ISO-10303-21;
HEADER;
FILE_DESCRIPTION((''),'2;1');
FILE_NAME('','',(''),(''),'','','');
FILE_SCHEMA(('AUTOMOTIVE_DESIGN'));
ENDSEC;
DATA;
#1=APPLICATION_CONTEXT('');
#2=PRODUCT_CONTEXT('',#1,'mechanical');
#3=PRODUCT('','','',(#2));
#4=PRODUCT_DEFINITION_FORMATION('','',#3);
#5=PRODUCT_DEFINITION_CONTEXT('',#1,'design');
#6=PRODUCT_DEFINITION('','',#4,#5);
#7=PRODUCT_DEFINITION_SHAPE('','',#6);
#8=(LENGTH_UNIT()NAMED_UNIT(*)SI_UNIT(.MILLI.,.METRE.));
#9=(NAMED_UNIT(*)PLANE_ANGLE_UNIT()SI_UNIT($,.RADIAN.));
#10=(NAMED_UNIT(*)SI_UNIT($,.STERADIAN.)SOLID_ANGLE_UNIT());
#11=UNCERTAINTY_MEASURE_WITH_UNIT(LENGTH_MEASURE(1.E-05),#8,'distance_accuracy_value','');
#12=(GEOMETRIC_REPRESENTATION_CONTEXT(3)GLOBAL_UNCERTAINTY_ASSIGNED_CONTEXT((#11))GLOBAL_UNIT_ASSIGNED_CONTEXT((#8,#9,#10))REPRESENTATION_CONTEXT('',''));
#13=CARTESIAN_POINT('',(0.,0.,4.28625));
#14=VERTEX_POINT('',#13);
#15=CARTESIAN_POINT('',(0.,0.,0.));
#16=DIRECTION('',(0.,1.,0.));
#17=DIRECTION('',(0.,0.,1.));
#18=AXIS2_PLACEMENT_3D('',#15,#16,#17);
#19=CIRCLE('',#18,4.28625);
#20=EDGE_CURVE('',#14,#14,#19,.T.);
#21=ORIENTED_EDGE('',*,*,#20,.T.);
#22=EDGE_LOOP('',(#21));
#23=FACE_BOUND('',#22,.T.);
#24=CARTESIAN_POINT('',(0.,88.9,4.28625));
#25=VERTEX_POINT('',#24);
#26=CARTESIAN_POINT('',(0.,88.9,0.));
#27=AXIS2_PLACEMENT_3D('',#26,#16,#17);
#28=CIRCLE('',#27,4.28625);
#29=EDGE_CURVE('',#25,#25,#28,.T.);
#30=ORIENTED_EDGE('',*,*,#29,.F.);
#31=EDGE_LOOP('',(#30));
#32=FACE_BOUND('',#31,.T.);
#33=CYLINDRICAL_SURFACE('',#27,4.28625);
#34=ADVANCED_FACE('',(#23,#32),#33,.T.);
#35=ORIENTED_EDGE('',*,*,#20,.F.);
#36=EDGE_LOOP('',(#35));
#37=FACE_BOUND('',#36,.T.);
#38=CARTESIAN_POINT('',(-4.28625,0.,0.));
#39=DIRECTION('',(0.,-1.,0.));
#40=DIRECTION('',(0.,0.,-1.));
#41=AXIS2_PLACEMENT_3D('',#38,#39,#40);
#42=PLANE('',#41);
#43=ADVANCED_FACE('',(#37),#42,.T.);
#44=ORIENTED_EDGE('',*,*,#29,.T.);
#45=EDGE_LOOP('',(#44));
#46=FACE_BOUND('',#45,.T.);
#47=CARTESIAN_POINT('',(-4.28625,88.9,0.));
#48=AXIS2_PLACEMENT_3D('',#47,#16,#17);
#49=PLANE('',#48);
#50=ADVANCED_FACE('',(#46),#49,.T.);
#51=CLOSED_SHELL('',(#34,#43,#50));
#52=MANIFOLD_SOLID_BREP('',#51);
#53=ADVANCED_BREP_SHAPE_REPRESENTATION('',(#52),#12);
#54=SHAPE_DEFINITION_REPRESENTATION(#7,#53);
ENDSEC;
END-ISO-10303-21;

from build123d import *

# Parameters (mm, degrees)
SKETCH1_W = 4.28625
SKETCH1_H = 88.9


with BuildPart() as part:
    # Sketch1 → Revolve1 (revolve)
    with BuildSketch(Plane.XY, mode=Mode.PRIVATE) as revolve1_sk:
        with Locations((-2.143125, 44.45)):
            Rectangle(SKETCH1_W, SKETCH1_H)
    revolve(revolve1_sk.sketch.rotate(Axis((0, 88.9, 0), (0, -1, 0)), 270), axis=Axis((0, 88.9, 0), (0, -1, 0)))


solid = part.part
